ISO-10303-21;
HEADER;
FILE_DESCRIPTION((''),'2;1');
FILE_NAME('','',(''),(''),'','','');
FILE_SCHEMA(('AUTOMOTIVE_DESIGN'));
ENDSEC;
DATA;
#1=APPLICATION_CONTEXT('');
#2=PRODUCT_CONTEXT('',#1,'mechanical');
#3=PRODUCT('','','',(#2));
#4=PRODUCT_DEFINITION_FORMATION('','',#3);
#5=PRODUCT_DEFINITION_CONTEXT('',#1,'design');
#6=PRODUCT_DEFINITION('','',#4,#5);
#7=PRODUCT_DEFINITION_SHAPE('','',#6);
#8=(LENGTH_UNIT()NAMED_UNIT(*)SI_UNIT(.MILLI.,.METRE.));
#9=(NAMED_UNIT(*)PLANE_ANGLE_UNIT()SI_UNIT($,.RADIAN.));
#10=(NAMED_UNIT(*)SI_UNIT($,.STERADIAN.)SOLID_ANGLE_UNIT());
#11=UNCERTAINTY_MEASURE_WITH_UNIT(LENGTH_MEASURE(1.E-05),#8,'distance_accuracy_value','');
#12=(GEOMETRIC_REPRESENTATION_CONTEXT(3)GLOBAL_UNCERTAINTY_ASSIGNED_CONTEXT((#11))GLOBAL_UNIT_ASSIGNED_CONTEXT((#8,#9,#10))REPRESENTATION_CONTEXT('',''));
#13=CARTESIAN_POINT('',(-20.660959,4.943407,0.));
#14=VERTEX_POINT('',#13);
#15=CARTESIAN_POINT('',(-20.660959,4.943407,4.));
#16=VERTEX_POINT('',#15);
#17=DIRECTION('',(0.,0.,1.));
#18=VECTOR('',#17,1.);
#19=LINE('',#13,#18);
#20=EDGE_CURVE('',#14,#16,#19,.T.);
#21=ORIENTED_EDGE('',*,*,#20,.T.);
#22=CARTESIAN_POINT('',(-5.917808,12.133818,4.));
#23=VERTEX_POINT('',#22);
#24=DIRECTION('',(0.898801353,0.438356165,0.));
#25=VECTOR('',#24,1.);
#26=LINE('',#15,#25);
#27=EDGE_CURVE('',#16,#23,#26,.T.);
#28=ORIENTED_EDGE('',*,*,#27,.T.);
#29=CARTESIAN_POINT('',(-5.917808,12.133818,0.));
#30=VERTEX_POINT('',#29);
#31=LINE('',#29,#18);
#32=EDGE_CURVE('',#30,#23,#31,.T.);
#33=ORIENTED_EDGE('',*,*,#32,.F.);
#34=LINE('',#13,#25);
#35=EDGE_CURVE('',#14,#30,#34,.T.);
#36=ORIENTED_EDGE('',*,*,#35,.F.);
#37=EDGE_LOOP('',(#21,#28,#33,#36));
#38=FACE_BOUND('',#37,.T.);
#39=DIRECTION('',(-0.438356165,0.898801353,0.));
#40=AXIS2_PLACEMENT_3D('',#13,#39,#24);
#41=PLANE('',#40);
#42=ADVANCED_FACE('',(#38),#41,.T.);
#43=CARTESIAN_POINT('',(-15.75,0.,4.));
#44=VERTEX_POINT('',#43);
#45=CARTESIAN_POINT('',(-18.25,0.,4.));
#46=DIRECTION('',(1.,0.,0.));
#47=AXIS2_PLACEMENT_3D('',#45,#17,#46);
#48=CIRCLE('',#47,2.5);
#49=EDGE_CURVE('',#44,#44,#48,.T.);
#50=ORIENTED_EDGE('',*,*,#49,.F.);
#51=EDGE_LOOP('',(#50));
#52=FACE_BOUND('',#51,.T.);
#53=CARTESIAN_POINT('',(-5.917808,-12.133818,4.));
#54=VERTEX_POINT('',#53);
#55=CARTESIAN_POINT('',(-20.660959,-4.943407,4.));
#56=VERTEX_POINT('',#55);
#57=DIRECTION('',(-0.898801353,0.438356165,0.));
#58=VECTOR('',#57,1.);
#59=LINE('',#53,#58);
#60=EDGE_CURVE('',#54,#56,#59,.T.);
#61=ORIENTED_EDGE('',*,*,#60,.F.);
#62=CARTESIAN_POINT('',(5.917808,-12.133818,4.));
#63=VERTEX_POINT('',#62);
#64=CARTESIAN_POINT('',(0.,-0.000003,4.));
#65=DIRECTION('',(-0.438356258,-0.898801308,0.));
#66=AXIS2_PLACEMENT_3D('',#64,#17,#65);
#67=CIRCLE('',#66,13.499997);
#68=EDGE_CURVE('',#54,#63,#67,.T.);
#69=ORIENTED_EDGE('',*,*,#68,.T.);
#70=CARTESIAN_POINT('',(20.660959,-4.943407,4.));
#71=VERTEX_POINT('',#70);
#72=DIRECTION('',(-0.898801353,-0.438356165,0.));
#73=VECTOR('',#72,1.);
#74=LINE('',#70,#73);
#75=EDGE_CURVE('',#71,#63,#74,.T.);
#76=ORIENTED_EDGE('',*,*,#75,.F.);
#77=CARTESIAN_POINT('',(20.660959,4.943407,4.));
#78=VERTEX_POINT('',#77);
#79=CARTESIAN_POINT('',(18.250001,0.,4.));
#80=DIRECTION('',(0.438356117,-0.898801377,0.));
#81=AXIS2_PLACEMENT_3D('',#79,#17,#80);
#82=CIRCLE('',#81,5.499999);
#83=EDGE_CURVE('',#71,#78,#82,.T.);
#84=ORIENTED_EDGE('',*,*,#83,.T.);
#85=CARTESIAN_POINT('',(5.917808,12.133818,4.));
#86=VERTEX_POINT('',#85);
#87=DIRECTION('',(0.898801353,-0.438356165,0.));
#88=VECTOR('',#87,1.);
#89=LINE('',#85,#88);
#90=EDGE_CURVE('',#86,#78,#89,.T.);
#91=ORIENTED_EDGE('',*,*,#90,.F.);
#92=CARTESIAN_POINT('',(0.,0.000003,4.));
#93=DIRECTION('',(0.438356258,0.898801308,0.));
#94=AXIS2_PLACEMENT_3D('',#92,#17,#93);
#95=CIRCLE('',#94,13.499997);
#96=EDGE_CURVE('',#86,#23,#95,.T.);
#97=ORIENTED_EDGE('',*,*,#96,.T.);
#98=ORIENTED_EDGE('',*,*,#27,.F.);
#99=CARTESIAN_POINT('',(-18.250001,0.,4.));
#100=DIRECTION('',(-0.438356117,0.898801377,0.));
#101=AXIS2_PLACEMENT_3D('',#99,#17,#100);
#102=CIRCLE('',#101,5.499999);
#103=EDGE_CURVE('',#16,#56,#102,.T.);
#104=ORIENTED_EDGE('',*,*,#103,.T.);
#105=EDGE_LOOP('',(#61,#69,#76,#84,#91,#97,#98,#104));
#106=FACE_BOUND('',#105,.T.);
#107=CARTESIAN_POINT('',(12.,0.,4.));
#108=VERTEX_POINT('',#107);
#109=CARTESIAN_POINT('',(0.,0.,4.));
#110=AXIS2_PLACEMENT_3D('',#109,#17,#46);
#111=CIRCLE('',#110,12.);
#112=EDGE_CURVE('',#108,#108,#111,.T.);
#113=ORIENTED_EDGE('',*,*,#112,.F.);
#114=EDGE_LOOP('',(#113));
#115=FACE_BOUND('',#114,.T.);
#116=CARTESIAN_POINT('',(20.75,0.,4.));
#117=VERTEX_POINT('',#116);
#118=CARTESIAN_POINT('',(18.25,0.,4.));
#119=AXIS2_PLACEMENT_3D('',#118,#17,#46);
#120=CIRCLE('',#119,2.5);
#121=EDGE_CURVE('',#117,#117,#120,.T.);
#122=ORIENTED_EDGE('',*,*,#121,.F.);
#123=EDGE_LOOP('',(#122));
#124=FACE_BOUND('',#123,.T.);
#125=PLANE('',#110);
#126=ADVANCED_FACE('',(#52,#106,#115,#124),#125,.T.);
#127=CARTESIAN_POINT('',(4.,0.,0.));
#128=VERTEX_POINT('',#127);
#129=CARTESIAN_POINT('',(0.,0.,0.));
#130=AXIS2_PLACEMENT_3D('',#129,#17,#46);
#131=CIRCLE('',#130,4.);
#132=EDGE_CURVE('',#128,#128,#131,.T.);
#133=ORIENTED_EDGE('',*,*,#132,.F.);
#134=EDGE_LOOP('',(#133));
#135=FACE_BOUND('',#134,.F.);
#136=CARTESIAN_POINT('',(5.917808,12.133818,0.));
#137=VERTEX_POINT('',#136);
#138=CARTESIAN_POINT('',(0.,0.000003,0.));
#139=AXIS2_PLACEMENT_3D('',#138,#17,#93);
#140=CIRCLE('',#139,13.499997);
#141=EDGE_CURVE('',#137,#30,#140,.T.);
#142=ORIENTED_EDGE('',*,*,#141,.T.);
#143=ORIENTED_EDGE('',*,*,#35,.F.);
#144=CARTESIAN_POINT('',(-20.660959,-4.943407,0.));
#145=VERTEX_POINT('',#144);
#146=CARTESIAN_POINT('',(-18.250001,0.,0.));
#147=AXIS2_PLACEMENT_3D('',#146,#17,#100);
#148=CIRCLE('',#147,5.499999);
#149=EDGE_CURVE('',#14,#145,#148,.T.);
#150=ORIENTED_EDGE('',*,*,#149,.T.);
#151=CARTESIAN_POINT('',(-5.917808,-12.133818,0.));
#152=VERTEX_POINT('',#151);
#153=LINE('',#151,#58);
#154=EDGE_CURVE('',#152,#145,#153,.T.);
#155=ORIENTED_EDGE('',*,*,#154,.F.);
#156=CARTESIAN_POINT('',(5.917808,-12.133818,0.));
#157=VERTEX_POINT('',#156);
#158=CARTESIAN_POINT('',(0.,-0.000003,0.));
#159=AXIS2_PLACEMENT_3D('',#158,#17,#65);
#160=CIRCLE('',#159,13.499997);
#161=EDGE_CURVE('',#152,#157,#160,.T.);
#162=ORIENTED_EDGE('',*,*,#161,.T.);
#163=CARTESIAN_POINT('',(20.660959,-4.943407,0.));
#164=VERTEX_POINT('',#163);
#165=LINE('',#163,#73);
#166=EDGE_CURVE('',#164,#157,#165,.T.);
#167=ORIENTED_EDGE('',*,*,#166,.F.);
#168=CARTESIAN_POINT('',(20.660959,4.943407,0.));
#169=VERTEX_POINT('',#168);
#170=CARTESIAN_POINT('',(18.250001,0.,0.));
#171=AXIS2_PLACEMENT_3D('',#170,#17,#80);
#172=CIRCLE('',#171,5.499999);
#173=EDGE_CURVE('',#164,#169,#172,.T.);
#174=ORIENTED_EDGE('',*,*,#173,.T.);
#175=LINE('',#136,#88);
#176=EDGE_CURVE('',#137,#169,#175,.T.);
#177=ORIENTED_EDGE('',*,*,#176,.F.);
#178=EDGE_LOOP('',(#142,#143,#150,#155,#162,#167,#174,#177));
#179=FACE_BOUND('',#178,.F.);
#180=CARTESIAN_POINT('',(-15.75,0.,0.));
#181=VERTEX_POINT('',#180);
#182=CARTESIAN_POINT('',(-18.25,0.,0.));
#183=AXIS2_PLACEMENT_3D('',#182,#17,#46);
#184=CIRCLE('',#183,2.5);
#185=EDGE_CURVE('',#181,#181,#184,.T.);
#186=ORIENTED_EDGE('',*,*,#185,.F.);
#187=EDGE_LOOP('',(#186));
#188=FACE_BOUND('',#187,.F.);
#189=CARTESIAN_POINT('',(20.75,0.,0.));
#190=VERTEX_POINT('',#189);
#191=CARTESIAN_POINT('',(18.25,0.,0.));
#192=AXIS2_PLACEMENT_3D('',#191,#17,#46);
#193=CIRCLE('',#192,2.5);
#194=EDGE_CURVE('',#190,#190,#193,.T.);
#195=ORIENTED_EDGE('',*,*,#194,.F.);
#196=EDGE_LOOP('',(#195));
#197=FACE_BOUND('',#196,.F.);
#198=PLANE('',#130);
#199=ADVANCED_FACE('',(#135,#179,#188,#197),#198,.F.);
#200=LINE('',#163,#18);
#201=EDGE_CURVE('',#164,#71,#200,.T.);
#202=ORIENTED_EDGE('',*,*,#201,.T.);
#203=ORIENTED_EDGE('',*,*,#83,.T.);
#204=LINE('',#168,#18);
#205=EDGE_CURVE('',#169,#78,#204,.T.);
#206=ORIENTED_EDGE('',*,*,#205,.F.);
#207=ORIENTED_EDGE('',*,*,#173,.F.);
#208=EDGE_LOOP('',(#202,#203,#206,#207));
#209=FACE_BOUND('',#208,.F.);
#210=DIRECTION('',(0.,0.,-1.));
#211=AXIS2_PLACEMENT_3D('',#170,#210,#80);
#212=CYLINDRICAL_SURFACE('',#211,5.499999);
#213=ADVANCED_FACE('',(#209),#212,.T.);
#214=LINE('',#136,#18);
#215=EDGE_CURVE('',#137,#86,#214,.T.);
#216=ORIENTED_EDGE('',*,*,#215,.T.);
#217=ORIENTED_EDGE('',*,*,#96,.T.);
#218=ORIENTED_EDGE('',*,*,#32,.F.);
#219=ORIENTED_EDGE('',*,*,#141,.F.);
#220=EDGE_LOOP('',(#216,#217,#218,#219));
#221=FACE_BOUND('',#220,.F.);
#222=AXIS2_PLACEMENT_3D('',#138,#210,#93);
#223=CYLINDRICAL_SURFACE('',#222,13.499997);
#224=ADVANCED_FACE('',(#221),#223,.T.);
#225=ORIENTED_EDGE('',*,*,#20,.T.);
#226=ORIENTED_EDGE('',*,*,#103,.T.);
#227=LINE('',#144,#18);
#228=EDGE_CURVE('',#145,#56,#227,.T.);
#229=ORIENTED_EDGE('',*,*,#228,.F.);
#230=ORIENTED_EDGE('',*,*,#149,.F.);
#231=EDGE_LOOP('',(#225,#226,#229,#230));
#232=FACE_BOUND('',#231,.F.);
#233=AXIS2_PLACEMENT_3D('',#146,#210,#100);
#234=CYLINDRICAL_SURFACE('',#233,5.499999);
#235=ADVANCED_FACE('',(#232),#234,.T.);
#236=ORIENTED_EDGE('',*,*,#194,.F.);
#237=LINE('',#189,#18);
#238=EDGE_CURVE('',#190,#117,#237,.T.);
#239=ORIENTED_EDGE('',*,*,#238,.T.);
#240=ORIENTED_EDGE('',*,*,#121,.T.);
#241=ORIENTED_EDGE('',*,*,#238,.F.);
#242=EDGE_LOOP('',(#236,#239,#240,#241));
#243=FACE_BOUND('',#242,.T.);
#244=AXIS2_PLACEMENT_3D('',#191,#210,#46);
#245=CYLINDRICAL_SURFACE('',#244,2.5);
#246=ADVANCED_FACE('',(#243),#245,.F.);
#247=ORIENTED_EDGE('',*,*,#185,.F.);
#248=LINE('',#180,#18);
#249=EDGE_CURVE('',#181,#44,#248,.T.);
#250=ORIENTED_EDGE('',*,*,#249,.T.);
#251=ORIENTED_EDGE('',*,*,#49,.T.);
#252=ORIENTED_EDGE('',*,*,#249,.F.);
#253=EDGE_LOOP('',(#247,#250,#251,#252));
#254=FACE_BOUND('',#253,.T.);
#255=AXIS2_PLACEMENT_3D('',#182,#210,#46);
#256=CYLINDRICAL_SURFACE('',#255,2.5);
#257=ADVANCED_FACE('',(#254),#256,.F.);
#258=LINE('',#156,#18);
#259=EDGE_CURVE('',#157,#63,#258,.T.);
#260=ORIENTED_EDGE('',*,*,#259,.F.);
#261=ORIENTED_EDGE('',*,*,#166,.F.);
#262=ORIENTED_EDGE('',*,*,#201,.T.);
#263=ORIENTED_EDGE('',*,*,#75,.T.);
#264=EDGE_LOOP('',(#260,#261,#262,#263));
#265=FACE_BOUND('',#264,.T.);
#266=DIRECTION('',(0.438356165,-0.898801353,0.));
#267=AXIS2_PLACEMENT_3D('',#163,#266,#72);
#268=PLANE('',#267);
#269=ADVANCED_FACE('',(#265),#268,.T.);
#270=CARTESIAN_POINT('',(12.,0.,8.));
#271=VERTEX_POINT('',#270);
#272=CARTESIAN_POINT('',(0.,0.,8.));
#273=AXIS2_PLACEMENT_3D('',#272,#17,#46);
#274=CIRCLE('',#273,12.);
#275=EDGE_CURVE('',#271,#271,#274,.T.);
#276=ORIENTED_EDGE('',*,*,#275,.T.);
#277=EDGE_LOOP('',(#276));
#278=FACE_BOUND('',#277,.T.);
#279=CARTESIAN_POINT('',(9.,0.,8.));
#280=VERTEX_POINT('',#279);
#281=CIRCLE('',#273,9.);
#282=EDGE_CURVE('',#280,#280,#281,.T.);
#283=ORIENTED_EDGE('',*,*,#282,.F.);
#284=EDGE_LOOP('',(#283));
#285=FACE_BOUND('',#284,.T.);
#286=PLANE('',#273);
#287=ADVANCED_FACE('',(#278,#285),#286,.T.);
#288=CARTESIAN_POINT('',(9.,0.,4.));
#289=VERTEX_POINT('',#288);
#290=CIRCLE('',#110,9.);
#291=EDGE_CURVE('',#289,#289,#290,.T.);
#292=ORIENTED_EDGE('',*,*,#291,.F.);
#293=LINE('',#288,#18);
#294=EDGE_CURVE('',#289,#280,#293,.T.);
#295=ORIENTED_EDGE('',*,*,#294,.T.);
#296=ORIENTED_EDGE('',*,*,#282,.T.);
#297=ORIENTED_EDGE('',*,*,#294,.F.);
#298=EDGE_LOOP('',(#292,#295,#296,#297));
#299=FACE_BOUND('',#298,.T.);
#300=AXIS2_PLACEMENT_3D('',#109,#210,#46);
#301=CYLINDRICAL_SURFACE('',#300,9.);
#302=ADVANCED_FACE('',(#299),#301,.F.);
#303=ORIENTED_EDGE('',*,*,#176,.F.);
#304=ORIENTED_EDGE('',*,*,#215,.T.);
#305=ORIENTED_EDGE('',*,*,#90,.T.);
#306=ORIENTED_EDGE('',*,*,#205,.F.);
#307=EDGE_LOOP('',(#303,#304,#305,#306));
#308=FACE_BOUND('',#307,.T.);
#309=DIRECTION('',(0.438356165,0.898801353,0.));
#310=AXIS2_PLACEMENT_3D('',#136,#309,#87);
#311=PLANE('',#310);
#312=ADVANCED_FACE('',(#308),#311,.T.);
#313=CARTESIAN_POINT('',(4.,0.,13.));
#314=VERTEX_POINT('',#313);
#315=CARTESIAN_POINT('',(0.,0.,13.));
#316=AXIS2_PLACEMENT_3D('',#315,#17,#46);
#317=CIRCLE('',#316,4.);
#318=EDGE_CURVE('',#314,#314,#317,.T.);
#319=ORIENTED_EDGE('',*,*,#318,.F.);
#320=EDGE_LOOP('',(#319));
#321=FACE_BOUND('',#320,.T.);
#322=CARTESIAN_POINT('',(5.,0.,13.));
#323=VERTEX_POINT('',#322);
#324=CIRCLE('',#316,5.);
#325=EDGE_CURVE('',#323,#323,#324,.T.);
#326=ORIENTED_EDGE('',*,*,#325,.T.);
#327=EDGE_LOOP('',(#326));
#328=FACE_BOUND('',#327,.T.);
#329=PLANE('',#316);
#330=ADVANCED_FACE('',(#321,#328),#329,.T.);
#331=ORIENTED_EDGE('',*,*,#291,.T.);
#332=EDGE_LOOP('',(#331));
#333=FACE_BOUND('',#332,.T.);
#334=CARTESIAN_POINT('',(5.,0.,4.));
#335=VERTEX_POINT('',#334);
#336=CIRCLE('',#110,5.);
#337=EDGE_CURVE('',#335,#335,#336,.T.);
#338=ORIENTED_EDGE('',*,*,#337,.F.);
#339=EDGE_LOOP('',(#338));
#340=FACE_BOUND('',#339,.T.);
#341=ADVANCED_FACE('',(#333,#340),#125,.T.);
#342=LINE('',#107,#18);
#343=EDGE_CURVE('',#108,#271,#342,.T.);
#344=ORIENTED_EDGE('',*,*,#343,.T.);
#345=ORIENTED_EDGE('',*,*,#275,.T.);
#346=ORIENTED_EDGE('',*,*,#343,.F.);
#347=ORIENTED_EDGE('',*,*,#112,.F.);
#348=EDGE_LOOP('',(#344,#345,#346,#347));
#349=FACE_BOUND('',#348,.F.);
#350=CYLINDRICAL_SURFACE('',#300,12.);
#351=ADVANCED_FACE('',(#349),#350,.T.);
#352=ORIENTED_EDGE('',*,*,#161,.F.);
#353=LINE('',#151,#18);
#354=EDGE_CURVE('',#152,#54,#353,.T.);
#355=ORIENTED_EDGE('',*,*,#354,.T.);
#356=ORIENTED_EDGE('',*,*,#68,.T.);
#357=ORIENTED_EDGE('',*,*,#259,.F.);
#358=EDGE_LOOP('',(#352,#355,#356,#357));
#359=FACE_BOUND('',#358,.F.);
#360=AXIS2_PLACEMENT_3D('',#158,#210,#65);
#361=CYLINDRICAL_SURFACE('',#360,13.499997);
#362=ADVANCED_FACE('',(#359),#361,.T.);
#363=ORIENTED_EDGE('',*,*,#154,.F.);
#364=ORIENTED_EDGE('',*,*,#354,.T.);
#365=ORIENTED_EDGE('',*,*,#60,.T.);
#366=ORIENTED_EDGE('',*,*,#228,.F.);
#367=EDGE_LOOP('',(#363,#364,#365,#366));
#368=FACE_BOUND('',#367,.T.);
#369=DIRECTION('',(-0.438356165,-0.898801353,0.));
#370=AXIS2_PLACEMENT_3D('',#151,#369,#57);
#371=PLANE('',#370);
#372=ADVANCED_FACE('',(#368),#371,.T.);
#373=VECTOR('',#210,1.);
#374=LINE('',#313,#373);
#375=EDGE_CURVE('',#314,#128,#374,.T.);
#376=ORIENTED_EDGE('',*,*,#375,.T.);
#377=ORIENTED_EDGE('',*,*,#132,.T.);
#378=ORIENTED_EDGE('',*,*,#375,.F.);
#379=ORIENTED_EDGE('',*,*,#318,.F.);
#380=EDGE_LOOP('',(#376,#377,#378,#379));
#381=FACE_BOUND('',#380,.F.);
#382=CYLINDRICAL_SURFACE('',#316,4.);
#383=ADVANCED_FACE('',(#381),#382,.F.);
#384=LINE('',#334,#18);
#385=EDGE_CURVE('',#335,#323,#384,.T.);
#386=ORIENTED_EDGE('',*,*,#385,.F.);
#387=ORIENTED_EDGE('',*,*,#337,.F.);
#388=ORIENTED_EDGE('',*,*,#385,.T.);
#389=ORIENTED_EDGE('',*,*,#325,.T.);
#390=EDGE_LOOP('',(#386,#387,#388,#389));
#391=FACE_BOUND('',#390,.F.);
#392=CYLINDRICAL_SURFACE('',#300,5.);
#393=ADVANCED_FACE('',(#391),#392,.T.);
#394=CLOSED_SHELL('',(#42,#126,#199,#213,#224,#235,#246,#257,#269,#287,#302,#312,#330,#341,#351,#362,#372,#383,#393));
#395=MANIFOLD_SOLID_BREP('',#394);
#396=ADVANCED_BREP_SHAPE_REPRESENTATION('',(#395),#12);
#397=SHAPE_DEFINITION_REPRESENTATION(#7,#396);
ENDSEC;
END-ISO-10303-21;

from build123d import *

# Parameters (mm, degrees)
SKETCH_R      = 2.5
PAD_DEPTH     = 4
SKETCH001_R   = 5
PAD001_DEPTH  = 9
SKETCH002_R   = 4
POCKET_DEPTH  = 13.001
SKETCH003_R   = 12
SKETCH003_R_2 = 9
PAD002_DEPTH  = 4


with BuildPart() as part:
    # Sketch → Pad (new body)
    with BuildSketch(Plane.XY):
        with BuildLine():
            ThreePointArc((-20.660959, 4.943407), (-23.75, 0), (-20.660959, -4.943407))
            Line((-5.917808, -12.133818), (-20.660959, -4.943407))
            ThreePointArc((-5.917808, -12.133818), (0, -13.5), (5.917808, -12.133818))
            Line((20.660959, -4.943407), (5.917808, -12.133818))
            ThreePointArc((20.660959, -4.943407), (23.75, 0), (20.660959, 4.943407))
            Line((5.917808, 12.133818), (20.660959, 4.943407))
            ThreePointArc((5.917808, 12.133818), (0, 13.5), (-5.917808, 12.133818))
            Line((-20.660959, 4.943407), (-5.917808, 12.133818))
        make_face()
        with Locations((-18.25, 0)):
            Circle(SKETCH_R, mode=Mode.SUBTRACT)
        with Locations((18.25, 0)):
            Circle(SKETCH_R, mode=Mode.SUBTRACT)
    extrude(amount=PAD_DEPTH)

    # Sketch001 (on Face12 of Pad) → Pad001 (join)
    with BuildSketch(Plane.XY.offset(4)):
        Circle(SKETCH001_R)
    extrude(amount=PAD001_DEPTH)

    # Sketch002 (on Face14 of Pad001) → Pocket (cut, through all)
    with BuildSketch(Plane.XY.offset(13)):
        Circle(SKETCH002_R)
    extrude(amount=-POCKET_DEPTH, mode=Mode.SUBTRACT)

    # Sketch003 (on Face5 of Pocket) → Pad002 (join)
    with BuildSketch(Plane.XY.offset(4)):
        Circle(SKETCH003_R)
        Circle(SKETCH003_R_2, mode=Mode.SUBTRACT)
    extrude(amount=PAD002_DEPTH)


solid = part.part
